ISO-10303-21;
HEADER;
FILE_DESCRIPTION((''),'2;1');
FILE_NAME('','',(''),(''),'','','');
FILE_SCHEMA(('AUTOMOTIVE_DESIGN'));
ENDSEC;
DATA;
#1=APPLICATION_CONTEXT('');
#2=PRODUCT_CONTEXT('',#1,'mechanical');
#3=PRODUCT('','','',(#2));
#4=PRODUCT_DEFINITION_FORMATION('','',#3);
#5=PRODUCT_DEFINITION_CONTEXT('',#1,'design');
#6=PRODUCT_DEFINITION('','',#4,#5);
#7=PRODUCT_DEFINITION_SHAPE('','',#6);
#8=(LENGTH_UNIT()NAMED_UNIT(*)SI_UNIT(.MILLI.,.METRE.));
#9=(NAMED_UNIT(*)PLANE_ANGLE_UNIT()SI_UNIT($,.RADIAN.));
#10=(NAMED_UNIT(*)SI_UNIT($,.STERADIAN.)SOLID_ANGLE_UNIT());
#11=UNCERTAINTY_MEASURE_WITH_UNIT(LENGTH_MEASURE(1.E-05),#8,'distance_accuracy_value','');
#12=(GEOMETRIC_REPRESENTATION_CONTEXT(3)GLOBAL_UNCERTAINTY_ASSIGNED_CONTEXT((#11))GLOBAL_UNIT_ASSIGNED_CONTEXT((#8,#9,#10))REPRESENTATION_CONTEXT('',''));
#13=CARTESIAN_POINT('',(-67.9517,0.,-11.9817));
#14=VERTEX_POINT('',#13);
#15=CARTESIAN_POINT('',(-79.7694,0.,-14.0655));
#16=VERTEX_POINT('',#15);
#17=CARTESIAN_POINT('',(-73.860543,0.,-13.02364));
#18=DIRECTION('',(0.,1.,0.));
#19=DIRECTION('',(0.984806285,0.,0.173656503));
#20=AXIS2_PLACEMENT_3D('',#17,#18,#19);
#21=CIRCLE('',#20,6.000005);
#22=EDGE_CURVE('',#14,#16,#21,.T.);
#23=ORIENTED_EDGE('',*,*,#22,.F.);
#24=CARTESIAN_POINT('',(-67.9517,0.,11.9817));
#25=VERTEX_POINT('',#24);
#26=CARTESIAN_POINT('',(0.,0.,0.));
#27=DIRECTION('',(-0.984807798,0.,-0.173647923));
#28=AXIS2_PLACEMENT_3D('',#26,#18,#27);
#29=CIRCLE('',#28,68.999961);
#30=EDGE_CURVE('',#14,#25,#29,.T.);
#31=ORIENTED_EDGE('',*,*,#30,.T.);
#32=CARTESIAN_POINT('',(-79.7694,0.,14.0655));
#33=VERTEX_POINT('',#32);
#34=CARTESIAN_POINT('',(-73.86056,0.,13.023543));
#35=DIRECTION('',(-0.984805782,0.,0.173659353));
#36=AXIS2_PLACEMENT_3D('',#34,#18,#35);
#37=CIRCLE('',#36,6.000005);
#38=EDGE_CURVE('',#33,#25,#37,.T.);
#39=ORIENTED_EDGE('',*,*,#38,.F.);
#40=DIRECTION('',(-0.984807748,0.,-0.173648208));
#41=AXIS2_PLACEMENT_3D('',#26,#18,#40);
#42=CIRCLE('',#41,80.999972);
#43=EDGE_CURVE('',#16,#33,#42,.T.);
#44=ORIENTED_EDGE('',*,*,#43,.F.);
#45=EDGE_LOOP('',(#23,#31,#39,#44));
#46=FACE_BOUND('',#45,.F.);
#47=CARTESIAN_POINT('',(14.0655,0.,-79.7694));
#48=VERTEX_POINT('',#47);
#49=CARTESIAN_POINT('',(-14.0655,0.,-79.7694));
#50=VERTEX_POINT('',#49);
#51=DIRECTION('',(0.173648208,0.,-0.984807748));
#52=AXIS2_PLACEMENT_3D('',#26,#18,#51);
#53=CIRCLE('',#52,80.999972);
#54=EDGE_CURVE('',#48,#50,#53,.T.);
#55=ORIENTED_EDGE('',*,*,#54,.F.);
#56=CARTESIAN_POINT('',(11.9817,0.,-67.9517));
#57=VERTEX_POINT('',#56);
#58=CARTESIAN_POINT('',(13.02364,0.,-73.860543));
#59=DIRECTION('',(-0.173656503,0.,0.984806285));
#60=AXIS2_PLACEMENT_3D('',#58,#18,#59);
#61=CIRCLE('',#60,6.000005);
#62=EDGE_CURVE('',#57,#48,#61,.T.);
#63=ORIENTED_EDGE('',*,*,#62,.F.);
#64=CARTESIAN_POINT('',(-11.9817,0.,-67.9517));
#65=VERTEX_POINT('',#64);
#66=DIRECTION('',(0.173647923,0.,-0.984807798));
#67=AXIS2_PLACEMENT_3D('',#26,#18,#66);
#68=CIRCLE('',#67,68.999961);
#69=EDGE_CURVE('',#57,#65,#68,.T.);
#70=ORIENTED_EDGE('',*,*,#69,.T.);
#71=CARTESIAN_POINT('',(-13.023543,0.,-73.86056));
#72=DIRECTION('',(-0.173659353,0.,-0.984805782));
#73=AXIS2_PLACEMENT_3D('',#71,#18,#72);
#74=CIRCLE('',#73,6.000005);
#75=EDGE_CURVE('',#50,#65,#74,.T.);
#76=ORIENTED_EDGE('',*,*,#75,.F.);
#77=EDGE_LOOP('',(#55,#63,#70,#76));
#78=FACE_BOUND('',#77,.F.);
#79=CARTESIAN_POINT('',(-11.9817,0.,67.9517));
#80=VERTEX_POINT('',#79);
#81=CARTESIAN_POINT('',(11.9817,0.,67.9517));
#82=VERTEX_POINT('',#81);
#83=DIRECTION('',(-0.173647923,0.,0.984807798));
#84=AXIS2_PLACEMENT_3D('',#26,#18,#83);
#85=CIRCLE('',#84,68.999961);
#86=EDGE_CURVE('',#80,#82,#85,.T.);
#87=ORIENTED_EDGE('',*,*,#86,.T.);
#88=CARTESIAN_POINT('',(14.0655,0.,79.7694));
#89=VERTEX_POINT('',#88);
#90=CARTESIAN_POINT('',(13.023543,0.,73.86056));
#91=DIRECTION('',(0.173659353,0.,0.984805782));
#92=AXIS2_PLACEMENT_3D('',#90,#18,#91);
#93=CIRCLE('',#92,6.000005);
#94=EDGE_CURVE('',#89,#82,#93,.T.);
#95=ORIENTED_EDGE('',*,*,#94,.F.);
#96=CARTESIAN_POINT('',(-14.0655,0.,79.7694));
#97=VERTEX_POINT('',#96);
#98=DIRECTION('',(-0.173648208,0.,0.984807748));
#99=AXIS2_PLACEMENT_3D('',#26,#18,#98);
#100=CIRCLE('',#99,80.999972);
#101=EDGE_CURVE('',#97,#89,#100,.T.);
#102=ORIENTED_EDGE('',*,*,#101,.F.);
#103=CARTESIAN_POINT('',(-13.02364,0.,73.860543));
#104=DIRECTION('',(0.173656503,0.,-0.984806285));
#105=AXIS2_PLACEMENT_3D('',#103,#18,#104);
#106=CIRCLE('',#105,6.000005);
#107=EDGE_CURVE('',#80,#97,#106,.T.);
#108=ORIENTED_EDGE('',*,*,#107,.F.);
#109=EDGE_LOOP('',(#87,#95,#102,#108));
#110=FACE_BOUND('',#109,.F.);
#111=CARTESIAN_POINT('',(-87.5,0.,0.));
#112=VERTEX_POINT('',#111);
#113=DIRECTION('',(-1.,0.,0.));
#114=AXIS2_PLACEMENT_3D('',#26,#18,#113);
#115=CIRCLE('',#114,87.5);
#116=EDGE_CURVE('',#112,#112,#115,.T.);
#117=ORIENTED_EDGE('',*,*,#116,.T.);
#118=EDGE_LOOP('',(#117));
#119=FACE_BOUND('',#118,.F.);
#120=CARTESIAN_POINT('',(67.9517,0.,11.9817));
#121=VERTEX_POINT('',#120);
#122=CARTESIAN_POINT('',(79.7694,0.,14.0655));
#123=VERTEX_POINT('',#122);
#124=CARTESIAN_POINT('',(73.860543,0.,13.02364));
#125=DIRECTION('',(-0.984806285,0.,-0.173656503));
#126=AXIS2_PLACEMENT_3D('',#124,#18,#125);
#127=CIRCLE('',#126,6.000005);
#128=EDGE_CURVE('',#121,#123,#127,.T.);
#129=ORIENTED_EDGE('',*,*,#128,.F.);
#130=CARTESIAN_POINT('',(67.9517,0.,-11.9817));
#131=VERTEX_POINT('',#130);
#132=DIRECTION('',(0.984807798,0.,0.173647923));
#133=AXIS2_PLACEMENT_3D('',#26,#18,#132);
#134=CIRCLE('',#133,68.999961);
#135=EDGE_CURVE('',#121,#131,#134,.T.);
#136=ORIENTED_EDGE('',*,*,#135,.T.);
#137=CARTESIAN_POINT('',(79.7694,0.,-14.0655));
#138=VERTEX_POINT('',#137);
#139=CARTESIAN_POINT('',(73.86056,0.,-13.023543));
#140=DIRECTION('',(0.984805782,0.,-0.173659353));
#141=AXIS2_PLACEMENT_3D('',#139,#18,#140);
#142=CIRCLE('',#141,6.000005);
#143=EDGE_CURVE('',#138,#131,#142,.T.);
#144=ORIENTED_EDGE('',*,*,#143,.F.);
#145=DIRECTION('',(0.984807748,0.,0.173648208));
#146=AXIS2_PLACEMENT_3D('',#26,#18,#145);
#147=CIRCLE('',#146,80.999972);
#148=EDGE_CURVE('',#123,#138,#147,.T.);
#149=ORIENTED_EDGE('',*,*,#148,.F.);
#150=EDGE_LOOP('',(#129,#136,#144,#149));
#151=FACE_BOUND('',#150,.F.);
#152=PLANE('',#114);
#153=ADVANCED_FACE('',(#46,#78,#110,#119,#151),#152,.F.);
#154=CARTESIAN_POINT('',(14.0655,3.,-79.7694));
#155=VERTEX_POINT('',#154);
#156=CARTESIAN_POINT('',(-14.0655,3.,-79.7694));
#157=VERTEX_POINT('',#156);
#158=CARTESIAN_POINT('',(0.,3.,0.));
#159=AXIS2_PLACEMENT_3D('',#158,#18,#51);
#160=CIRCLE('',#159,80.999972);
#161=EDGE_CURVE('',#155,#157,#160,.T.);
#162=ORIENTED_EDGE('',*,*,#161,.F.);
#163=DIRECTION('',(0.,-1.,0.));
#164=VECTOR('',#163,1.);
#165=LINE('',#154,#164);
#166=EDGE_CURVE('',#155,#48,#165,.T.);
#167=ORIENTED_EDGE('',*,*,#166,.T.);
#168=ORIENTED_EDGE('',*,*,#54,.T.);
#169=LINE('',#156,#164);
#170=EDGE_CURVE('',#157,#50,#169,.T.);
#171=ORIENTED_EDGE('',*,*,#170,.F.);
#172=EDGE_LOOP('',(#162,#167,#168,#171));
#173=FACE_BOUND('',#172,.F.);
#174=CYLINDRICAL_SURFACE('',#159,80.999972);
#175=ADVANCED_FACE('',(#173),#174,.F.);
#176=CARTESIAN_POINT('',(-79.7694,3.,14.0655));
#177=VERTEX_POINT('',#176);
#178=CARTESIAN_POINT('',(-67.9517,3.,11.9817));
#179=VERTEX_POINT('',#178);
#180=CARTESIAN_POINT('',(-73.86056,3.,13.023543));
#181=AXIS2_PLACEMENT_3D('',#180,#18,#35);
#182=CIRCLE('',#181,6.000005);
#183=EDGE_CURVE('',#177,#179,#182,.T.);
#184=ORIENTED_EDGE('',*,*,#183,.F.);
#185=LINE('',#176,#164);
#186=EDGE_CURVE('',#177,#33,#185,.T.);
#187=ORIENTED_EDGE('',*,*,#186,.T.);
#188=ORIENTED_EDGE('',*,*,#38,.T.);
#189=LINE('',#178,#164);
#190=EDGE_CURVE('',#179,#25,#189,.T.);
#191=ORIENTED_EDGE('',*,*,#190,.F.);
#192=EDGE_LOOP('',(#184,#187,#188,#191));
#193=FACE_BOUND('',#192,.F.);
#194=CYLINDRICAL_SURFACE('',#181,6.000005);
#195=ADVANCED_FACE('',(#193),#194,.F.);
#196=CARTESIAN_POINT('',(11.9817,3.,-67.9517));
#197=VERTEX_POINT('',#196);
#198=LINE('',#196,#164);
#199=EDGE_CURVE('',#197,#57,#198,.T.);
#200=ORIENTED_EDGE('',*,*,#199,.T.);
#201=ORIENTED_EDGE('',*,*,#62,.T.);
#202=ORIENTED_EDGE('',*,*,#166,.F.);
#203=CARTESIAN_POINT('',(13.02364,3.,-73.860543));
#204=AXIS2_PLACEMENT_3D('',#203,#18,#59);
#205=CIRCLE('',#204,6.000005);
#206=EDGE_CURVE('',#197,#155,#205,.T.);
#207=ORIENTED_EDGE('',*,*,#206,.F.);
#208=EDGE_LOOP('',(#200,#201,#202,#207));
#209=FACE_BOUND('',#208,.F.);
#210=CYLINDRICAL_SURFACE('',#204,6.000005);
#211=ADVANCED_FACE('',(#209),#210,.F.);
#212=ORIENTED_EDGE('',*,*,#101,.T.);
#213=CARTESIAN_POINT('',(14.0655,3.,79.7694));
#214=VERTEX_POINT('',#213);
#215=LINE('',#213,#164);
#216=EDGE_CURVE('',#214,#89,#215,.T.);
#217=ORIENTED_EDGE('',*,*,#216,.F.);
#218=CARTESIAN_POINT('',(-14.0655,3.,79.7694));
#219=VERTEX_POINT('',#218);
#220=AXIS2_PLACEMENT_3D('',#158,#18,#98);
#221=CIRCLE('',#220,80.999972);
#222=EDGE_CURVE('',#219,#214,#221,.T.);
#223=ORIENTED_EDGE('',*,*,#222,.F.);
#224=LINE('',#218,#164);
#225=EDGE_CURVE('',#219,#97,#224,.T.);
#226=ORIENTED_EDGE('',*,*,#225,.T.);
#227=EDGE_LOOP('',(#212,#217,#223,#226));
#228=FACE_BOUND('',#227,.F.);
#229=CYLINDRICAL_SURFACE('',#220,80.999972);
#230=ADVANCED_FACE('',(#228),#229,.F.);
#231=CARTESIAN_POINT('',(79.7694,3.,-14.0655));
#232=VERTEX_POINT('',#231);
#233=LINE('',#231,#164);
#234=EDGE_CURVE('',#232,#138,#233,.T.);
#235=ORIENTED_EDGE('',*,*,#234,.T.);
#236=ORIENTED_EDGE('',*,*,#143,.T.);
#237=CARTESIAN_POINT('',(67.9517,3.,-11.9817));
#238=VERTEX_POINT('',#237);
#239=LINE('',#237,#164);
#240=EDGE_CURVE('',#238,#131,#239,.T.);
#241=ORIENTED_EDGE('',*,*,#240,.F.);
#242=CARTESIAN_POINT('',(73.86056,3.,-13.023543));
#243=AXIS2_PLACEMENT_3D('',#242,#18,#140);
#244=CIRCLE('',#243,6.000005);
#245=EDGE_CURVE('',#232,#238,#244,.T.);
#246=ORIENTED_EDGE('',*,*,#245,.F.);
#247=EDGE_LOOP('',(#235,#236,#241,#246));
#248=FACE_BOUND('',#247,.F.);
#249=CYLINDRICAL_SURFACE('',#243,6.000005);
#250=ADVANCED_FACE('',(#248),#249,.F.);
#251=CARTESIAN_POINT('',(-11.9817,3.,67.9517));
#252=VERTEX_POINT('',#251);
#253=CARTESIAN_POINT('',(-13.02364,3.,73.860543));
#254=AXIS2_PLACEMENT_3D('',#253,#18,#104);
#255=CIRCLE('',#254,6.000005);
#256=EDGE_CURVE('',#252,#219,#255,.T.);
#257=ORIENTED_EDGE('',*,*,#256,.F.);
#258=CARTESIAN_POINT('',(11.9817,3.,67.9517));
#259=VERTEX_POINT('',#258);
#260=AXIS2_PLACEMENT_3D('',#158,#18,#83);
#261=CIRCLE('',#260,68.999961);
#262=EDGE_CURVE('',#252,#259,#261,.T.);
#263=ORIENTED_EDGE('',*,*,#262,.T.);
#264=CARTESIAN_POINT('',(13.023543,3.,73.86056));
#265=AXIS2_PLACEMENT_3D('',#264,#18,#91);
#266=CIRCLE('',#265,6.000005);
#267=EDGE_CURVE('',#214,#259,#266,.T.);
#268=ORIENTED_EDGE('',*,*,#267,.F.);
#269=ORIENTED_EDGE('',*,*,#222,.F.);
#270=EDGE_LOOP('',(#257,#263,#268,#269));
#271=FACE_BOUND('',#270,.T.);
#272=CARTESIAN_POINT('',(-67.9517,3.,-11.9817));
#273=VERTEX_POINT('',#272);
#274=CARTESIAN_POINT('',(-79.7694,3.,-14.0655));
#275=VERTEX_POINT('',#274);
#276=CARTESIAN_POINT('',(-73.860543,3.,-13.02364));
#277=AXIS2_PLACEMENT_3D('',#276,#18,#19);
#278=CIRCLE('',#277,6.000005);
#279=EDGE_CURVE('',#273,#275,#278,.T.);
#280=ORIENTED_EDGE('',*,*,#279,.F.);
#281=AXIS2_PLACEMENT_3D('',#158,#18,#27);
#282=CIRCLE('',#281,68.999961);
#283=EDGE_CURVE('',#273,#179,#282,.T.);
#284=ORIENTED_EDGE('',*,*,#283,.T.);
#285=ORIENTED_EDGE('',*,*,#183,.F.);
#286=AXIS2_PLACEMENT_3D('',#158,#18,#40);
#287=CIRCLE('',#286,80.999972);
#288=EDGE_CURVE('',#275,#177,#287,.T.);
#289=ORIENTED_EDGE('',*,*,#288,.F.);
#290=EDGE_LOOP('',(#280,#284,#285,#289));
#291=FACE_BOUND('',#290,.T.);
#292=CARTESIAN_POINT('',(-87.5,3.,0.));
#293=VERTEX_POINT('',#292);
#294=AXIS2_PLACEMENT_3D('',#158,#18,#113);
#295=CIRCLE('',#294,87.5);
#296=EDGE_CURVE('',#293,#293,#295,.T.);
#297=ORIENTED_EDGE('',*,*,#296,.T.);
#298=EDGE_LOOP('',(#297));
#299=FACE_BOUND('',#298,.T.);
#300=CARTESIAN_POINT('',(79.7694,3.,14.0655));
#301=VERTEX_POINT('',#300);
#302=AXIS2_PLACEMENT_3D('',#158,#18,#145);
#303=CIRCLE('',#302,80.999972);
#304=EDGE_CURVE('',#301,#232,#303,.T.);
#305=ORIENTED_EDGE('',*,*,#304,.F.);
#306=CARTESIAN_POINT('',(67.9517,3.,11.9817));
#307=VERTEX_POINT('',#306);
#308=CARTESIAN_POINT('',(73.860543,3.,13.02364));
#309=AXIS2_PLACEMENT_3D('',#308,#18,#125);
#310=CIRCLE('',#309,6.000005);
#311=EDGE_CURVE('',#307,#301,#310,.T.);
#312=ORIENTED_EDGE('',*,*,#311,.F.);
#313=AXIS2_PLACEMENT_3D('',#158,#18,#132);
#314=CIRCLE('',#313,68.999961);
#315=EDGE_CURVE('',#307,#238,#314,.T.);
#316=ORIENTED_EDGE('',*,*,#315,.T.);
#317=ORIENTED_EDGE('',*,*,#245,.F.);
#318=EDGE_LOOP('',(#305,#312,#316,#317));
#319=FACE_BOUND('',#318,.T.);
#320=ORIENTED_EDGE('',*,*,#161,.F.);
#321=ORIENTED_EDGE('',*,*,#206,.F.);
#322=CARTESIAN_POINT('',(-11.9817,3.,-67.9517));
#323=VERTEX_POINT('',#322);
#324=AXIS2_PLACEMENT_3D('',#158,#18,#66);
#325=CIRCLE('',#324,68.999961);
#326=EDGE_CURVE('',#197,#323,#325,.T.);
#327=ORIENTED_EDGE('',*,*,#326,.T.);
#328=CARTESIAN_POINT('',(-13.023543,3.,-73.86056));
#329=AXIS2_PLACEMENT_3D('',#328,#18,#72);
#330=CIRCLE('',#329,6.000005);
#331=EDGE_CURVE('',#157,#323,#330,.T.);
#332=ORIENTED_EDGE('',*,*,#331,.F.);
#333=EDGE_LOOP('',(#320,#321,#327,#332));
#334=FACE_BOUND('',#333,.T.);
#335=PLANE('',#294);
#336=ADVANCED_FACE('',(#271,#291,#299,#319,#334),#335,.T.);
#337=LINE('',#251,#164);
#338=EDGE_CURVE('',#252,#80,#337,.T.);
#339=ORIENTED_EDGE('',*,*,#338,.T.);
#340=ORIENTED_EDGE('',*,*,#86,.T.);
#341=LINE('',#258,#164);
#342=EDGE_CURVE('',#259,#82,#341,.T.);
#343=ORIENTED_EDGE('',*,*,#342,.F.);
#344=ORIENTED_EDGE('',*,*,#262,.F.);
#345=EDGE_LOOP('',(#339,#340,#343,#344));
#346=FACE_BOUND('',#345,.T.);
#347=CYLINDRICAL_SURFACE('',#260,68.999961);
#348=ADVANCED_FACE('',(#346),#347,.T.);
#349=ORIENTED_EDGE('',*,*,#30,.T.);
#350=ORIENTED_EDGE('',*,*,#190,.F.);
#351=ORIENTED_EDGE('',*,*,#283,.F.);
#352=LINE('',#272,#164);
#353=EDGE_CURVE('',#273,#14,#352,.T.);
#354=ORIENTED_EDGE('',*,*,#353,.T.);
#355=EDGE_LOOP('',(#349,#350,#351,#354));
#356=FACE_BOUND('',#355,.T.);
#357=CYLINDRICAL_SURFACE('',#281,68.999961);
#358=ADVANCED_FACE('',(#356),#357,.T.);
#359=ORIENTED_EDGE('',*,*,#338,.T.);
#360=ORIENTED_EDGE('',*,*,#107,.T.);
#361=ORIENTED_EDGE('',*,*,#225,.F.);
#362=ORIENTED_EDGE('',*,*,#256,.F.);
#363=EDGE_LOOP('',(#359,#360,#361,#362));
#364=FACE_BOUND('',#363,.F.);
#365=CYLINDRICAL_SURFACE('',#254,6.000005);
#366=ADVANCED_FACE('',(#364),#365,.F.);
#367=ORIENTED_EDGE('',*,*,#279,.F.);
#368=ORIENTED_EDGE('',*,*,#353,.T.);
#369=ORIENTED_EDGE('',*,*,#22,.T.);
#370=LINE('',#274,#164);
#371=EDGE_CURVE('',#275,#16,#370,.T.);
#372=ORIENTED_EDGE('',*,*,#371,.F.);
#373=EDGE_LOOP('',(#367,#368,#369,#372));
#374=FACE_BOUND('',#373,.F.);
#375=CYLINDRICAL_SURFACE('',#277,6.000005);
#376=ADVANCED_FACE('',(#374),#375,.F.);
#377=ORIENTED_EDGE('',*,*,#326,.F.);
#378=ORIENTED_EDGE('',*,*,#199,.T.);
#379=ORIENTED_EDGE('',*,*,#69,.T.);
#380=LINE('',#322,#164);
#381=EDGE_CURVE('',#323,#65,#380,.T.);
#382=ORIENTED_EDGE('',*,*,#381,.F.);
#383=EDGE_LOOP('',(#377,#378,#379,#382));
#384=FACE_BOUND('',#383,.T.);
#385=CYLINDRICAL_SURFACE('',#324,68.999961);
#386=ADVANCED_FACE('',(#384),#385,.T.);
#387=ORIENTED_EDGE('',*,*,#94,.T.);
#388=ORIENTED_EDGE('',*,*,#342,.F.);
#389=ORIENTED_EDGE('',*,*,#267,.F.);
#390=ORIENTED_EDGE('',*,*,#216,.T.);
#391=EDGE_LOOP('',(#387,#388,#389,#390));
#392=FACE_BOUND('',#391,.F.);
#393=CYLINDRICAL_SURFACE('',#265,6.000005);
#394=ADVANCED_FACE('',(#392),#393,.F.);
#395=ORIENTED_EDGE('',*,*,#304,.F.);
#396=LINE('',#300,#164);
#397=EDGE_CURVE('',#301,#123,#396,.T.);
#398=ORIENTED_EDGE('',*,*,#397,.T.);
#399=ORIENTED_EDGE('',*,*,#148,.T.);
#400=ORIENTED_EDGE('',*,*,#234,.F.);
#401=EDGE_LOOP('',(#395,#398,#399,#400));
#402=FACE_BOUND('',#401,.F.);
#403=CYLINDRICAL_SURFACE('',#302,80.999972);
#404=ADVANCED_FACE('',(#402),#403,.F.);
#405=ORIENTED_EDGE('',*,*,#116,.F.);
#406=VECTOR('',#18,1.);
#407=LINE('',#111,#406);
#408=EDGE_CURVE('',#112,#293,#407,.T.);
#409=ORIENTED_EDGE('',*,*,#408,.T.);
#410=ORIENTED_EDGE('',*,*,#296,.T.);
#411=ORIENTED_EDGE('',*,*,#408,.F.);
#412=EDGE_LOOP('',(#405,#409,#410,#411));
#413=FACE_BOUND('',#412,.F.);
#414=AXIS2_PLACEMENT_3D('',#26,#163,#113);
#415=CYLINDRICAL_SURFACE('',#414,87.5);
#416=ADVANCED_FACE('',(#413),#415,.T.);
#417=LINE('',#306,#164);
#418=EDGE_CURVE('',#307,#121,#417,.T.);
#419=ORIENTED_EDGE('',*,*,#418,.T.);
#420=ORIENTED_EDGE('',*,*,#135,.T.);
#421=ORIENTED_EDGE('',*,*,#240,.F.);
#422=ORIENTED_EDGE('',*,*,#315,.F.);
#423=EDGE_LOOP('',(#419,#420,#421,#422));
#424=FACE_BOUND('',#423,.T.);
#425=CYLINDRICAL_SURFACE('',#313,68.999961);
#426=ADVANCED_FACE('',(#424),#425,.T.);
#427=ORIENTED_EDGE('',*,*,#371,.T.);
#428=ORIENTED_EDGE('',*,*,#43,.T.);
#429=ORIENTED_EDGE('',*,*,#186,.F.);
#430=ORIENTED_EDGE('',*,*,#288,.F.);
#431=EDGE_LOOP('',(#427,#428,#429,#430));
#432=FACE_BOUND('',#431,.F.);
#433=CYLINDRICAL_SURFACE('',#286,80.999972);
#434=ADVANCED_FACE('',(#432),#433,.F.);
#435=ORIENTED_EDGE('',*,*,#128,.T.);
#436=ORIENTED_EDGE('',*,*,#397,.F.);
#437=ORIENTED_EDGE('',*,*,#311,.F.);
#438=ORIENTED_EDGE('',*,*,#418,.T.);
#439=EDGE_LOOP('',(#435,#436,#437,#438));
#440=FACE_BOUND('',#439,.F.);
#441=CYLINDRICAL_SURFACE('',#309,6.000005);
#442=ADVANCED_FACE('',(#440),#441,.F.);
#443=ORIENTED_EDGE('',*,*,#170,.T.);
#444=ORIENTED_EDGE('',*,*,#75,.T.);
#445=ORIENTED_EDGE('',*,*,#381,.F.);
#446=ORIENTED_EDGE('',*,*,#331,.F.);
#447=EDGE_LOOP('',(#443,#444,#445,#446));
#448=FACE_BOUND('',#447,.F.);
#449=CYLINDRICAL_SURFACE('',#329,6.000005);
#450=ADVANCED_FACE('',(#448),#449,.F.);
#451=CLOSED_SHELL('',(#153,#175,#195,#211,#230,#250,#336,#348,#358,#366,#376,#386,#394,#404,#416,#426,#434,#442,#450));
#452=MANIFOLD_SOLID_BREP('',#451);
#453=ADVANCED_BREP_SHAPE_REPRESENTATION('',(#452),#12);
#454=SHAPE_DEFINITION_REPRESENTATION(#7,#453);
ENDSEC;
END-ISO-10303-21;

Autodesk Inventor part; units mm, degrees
ref_plane "YZ Plane" through (0, 0, 0) normal (1, 0, 0) x (0, 1, 0)
ref_plane "XZ Plane" through (0, 0, 0) normal (0, 1, 0) x (-1, 0, 0)
ref_plane "XY Plane" through (0, 0, 0) normal (0, 0, 1) x (1, 0, 0)
sketch "Sketch1" plane through (0, 0, 0) normal (0, 1, 0) x (-1, 0, 0)
  circle A0 centre (0, 0) radius 87.5
  dimension "d0" = 175
extrude "Plate1" add sketch "Sketch1" along normal blind 3
sketch "Sketch2" plane through (0, 3, 0) normal (0, 1, 0) x (1, 0, 0)
  circle A0 centre (0, 0) radius 87.5 projected
  arc A1 (73.8606, -13.0236) -> (73.8606, 13.0236) centre (0, 0) ccw construction
  arc A2 (79.7694, -14.0655) -> (79.7694, 14.0655) centre (0, 0) ccw
  arc A3 (67.9517, -11.9817) -> (67.9517, 11.9817) centre (0, 0) ccw
  arc A4 (67.9517, -11.9817) -> (79.7694, -14.0655) centre (73.8606, -13.0236) ccw
  arc A5 (79.7694, 14.0655) -> (67.9517, 11.9817) centre (73.8606, 13.0236) ccw
  point P0 (75, 0)
  dimension "d19" = 12
  dimension "d20" = 20
  dimension "d21" = 75
extrude "Extrusion1" cut sketch "Sketch2" against normal through all contours A4 A3 A5 A2
pattern_circular "Circular Pattern1" count 4 over 360 about axis through (0, -10, 0) along (0, 1, 0) of "Extrusion1"
equation "\"BendReliefWidth\" = Thickness"
equation "\"BendReliefDepth\" = 0.5 * Thickness"
equation "\"CornerReliefSize\" = 4 * Thickness"
equation "\"MinimumRemnant\" = 2 * Thickness"
equation "\"TransitionRadius\" = BendRadius"
equation "\"JacobiRadiusSize\" = BendRadius"
equation "\"GapSize\" = Thickness"
properties part number "MSC 906 flange frame" material "Stainless Steel"
